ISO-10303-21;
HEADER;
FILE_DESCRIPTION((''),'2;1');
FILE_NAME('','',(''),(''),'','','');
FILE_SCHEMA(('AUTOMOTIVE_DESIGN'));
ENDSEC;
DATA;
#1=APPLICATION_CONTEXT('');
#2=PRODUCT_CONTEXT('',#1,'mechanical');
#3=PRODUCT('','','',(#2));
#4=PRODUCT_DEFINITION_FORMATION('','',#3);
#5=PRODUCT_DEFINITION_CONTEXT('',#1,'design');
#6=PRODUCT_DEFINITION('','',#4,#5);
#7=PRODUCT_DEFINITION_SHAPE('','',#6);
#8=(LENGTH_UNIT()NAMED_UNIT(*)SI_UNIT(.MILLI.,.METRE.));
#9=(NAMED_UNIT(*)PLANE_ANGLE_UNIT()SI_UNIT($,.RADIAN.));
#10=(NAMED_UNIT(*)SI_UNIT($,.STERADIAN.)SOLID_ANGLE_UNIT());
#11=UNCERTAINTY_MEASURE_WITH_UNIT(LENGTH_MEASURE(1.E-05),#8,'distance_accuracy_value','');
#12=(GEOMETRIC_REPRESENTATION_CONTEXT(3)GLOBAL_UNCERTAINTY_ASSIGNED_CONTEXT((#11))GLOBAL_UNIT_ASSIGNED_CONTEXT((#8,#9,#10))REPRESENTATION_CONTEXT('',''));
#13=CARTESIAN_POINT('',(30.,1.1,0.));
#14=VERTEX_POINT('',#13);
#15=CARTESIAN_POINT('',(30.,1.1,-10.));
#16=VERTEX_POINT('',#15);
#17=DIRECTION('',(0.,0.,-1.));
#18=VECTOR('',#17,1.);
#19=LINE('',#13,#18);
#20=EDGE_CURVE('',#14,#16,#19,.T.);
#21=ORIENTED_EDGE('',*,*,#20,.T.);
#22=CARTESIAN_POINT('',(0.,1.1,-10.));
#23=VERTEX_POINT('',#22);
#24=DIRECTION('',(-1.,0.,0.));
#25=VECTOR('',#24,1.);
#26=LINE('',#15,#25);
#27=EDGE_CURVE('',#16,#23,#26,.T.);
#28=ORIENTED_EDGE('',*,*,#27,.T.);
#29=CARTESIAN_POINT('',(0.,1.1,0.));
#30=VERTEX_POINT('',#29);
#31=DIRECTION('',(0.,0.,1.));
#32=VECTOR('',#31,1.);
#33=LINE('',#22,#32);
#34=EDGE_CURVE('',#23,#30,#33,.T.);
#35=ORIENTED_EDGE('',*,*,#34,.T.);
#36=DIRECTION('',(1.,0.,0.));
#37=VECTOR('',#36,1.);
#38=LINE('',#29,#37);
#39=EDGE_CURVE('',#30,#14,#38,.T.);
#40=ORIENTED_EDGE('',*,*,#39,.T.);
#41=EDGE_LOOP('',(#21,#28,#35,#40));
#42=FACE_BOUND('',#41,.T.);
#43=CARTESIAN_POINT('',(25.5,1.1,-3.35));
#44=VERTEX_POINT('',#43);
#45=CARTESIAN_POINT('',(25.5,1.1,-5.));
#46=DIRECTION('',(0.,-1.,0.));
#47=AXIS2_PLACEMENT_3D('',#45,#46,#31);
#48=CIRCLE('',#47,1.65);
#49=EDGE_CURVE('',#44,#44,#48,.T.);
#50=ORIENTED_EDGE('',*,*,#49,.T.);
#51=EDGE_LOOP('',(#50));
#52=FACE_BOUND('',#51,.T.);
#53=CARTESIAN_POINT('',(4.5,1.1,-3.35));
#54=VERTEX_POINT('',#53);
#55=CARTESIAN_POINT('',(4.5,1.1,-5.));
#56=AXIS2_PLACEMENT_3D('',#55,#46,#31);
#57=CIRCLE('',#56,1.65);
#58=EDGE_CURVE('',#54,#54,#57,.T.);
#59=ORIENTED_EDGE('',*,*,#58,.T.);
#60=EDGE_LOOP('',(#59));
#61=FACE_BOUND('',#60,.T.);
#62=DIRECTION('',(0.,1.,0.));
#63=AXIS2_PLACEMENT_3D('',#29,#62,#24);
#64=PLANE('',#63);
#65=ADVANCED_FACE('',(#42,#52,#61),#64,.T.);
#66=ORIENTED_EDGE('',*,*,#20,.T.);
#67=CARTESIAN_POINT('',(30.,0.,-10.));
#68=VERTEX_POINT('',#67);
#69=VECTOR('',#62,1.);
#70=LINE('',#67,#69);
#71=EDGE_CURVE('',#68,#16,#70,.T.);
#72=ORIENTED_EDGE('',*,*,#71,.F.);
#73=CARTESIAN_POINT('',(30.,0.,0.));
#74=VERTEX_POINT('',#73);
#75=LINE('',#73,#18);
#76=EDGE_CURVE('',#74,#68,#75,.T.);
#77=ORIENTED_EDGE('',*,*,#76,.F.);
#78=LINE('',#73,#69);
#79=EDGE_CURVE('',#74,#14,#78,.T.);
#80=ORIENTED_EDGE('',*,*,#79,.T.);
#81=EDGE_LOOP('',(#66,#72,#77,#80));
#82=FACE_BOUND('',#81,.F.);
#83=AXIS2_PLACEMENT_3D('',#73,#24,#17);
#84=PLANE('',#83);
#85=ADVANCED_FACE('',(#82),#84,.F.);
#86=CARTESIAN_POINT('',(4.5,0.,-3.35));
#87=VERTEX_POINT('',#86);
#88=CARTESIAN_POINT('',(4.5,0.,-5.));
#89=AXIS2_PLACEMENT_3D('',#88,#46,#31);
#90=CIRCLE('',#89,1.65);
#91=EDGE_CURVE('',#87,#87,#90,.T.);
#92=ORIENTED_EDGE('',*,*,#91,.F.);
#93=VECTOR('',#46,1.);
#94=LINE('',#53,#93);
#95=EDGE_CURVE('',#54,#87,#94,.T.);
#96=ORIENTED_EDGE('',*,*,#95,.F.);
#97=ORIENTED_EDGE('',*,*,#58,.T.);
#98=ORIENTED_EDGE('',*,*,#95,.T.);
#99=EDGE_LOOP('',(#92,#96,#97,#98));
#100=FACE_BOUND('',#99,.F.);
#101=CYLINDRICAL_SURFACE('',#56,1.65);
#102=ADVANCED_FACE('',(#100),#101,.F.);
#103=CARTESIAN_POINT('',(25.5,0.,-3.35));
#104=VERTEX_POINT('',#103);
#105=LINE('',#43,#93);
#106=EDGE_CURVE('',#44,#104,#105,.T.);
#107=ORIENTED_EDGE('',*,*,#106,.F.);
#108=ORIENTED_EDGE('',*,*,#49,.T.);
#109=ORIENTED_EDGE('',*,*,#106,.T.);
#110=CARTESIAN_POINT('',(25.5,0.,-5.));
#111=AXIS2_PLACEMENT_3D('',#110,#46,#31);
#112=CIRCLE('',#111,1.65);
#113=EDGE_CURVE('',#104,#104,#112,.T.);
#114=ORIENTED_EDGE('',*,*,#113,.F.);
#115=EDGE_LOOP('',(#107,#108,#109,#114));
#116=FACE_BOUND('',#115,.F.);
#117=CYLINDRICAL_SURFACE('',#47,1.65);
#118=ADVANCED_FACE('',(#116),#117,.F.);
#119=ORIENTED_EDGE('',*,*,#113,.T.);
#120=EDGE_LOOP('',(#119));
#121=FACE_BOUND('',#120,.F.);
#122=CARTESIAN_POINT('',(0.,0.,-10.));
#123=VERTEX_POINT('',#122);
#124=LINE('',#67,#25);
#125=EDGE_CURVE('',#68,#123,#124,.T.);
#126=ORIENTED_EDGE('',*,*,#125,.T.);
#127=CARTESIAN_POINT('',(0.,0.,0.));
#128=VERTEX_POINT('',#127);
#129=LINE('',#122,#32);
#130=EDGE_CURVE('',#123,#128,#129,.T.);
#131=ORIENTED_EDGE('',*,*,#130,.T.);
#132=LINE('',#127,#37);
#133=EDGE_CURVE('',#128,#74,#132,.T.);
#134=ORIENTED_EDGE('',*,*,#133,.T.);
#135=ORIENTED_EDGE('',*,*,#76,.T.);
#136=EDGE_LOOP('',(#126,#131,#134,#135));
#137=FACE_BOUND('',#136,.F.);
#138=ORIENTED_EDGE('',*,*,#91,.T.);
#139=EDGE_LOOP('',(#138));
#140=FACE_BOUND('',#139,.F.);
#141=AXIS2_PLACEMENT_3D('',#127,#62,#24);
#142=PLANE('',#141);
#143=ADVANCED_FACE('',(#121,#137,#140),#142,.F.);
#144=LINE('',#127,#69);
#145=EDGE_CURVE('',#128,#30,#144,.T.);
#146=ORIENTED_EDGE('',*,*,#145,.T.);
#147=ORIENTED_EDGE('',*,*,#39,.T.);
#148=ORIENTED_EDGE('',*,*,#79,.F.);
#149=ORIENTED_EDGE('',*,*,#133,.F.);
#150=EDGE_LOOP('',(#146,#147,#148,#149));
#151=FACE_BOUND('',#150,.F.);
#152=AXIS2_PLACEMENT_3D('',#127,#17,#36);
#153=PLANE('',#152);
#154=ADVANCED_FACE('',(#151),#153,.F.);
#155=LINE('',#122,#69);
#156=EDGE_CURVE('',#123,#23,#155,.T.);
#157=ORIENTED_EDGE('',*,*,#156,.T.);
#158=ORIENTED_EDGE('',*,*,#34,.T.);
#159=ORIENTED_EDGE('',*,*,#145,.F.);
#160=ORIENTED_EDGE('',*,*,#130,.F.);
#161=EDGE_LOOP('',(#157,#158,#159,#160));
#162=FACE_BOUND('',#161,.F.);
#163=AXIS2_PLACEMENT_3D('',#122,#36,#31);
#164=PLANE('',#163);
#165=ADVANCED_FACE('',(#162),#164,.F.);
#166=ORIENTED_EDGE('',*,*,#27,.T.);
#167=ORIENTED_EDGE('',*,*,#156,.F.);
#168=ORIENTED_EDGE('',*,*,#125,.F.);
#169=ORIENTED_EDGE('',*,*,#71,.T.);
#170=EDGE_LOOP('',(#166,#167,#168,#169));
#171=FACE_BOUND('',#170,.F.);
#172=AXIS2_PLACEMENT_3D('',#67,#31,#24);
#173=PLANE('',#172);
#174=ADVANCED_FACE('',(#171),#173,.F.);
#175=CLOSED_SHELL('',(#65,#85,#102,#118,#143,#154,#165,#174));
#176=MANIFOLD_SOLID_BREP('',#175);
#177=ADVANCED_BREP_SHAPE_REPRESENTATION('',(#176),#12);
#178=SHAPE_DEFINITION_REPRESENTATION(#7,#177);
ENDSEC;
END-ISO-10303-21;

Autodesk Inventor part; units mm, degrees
ref_plane "YZ Plane" through (0, 0, 0) normal (1, 0, 0) x (0, 1, 0)
ref_plane "XZ Plane" through (0, 0, 0) normal (0, 1, 0) x (-1, 0, 0)
ref_plane "XY Plane" through (0, 0, 0) normal (0, 0, 1) x (1, 0, 0)
sketch "スケッチ1" plane through (0, 0, 0) normal (0, 1, 0) x (-1, 0, 0)
  line L0 (0, 0) -> (-30, 0)
  line L1 (-30, 0) -> (-30, -10)
  line L2 (-30, -10) -> (0, -10)
  line L3 (0, -10) -> (0, 0)
  dimension "d0" = 30
  dimension "d1" = 10
extrude "押し出し1" add sketch "スケッチ1" along normal blind 1.1
sketch "スケッチ2" plane through (0, 1.1, 0) normal (0, 1, 0) x (1, 0, 0)
  line L0 (0, 10) -> (0, 0) construction
  line L1 (0, 5) -> (30, 5) construction
  line L2 (30, 0) -> (30, 10) construction
  point P0 (4.5, 5)
  point P1 (25.5, 5)
  dimension "d4" = 21
  dimension "d5" = 4.5
hole "穴1" at (4.5, 1.1, -5) at (25.5, 1.1, -5) direction (0, -1, 0) diameter 3.3 depth 2 tip angle 118
properties part number "shoulder2_encorder_spacer"
